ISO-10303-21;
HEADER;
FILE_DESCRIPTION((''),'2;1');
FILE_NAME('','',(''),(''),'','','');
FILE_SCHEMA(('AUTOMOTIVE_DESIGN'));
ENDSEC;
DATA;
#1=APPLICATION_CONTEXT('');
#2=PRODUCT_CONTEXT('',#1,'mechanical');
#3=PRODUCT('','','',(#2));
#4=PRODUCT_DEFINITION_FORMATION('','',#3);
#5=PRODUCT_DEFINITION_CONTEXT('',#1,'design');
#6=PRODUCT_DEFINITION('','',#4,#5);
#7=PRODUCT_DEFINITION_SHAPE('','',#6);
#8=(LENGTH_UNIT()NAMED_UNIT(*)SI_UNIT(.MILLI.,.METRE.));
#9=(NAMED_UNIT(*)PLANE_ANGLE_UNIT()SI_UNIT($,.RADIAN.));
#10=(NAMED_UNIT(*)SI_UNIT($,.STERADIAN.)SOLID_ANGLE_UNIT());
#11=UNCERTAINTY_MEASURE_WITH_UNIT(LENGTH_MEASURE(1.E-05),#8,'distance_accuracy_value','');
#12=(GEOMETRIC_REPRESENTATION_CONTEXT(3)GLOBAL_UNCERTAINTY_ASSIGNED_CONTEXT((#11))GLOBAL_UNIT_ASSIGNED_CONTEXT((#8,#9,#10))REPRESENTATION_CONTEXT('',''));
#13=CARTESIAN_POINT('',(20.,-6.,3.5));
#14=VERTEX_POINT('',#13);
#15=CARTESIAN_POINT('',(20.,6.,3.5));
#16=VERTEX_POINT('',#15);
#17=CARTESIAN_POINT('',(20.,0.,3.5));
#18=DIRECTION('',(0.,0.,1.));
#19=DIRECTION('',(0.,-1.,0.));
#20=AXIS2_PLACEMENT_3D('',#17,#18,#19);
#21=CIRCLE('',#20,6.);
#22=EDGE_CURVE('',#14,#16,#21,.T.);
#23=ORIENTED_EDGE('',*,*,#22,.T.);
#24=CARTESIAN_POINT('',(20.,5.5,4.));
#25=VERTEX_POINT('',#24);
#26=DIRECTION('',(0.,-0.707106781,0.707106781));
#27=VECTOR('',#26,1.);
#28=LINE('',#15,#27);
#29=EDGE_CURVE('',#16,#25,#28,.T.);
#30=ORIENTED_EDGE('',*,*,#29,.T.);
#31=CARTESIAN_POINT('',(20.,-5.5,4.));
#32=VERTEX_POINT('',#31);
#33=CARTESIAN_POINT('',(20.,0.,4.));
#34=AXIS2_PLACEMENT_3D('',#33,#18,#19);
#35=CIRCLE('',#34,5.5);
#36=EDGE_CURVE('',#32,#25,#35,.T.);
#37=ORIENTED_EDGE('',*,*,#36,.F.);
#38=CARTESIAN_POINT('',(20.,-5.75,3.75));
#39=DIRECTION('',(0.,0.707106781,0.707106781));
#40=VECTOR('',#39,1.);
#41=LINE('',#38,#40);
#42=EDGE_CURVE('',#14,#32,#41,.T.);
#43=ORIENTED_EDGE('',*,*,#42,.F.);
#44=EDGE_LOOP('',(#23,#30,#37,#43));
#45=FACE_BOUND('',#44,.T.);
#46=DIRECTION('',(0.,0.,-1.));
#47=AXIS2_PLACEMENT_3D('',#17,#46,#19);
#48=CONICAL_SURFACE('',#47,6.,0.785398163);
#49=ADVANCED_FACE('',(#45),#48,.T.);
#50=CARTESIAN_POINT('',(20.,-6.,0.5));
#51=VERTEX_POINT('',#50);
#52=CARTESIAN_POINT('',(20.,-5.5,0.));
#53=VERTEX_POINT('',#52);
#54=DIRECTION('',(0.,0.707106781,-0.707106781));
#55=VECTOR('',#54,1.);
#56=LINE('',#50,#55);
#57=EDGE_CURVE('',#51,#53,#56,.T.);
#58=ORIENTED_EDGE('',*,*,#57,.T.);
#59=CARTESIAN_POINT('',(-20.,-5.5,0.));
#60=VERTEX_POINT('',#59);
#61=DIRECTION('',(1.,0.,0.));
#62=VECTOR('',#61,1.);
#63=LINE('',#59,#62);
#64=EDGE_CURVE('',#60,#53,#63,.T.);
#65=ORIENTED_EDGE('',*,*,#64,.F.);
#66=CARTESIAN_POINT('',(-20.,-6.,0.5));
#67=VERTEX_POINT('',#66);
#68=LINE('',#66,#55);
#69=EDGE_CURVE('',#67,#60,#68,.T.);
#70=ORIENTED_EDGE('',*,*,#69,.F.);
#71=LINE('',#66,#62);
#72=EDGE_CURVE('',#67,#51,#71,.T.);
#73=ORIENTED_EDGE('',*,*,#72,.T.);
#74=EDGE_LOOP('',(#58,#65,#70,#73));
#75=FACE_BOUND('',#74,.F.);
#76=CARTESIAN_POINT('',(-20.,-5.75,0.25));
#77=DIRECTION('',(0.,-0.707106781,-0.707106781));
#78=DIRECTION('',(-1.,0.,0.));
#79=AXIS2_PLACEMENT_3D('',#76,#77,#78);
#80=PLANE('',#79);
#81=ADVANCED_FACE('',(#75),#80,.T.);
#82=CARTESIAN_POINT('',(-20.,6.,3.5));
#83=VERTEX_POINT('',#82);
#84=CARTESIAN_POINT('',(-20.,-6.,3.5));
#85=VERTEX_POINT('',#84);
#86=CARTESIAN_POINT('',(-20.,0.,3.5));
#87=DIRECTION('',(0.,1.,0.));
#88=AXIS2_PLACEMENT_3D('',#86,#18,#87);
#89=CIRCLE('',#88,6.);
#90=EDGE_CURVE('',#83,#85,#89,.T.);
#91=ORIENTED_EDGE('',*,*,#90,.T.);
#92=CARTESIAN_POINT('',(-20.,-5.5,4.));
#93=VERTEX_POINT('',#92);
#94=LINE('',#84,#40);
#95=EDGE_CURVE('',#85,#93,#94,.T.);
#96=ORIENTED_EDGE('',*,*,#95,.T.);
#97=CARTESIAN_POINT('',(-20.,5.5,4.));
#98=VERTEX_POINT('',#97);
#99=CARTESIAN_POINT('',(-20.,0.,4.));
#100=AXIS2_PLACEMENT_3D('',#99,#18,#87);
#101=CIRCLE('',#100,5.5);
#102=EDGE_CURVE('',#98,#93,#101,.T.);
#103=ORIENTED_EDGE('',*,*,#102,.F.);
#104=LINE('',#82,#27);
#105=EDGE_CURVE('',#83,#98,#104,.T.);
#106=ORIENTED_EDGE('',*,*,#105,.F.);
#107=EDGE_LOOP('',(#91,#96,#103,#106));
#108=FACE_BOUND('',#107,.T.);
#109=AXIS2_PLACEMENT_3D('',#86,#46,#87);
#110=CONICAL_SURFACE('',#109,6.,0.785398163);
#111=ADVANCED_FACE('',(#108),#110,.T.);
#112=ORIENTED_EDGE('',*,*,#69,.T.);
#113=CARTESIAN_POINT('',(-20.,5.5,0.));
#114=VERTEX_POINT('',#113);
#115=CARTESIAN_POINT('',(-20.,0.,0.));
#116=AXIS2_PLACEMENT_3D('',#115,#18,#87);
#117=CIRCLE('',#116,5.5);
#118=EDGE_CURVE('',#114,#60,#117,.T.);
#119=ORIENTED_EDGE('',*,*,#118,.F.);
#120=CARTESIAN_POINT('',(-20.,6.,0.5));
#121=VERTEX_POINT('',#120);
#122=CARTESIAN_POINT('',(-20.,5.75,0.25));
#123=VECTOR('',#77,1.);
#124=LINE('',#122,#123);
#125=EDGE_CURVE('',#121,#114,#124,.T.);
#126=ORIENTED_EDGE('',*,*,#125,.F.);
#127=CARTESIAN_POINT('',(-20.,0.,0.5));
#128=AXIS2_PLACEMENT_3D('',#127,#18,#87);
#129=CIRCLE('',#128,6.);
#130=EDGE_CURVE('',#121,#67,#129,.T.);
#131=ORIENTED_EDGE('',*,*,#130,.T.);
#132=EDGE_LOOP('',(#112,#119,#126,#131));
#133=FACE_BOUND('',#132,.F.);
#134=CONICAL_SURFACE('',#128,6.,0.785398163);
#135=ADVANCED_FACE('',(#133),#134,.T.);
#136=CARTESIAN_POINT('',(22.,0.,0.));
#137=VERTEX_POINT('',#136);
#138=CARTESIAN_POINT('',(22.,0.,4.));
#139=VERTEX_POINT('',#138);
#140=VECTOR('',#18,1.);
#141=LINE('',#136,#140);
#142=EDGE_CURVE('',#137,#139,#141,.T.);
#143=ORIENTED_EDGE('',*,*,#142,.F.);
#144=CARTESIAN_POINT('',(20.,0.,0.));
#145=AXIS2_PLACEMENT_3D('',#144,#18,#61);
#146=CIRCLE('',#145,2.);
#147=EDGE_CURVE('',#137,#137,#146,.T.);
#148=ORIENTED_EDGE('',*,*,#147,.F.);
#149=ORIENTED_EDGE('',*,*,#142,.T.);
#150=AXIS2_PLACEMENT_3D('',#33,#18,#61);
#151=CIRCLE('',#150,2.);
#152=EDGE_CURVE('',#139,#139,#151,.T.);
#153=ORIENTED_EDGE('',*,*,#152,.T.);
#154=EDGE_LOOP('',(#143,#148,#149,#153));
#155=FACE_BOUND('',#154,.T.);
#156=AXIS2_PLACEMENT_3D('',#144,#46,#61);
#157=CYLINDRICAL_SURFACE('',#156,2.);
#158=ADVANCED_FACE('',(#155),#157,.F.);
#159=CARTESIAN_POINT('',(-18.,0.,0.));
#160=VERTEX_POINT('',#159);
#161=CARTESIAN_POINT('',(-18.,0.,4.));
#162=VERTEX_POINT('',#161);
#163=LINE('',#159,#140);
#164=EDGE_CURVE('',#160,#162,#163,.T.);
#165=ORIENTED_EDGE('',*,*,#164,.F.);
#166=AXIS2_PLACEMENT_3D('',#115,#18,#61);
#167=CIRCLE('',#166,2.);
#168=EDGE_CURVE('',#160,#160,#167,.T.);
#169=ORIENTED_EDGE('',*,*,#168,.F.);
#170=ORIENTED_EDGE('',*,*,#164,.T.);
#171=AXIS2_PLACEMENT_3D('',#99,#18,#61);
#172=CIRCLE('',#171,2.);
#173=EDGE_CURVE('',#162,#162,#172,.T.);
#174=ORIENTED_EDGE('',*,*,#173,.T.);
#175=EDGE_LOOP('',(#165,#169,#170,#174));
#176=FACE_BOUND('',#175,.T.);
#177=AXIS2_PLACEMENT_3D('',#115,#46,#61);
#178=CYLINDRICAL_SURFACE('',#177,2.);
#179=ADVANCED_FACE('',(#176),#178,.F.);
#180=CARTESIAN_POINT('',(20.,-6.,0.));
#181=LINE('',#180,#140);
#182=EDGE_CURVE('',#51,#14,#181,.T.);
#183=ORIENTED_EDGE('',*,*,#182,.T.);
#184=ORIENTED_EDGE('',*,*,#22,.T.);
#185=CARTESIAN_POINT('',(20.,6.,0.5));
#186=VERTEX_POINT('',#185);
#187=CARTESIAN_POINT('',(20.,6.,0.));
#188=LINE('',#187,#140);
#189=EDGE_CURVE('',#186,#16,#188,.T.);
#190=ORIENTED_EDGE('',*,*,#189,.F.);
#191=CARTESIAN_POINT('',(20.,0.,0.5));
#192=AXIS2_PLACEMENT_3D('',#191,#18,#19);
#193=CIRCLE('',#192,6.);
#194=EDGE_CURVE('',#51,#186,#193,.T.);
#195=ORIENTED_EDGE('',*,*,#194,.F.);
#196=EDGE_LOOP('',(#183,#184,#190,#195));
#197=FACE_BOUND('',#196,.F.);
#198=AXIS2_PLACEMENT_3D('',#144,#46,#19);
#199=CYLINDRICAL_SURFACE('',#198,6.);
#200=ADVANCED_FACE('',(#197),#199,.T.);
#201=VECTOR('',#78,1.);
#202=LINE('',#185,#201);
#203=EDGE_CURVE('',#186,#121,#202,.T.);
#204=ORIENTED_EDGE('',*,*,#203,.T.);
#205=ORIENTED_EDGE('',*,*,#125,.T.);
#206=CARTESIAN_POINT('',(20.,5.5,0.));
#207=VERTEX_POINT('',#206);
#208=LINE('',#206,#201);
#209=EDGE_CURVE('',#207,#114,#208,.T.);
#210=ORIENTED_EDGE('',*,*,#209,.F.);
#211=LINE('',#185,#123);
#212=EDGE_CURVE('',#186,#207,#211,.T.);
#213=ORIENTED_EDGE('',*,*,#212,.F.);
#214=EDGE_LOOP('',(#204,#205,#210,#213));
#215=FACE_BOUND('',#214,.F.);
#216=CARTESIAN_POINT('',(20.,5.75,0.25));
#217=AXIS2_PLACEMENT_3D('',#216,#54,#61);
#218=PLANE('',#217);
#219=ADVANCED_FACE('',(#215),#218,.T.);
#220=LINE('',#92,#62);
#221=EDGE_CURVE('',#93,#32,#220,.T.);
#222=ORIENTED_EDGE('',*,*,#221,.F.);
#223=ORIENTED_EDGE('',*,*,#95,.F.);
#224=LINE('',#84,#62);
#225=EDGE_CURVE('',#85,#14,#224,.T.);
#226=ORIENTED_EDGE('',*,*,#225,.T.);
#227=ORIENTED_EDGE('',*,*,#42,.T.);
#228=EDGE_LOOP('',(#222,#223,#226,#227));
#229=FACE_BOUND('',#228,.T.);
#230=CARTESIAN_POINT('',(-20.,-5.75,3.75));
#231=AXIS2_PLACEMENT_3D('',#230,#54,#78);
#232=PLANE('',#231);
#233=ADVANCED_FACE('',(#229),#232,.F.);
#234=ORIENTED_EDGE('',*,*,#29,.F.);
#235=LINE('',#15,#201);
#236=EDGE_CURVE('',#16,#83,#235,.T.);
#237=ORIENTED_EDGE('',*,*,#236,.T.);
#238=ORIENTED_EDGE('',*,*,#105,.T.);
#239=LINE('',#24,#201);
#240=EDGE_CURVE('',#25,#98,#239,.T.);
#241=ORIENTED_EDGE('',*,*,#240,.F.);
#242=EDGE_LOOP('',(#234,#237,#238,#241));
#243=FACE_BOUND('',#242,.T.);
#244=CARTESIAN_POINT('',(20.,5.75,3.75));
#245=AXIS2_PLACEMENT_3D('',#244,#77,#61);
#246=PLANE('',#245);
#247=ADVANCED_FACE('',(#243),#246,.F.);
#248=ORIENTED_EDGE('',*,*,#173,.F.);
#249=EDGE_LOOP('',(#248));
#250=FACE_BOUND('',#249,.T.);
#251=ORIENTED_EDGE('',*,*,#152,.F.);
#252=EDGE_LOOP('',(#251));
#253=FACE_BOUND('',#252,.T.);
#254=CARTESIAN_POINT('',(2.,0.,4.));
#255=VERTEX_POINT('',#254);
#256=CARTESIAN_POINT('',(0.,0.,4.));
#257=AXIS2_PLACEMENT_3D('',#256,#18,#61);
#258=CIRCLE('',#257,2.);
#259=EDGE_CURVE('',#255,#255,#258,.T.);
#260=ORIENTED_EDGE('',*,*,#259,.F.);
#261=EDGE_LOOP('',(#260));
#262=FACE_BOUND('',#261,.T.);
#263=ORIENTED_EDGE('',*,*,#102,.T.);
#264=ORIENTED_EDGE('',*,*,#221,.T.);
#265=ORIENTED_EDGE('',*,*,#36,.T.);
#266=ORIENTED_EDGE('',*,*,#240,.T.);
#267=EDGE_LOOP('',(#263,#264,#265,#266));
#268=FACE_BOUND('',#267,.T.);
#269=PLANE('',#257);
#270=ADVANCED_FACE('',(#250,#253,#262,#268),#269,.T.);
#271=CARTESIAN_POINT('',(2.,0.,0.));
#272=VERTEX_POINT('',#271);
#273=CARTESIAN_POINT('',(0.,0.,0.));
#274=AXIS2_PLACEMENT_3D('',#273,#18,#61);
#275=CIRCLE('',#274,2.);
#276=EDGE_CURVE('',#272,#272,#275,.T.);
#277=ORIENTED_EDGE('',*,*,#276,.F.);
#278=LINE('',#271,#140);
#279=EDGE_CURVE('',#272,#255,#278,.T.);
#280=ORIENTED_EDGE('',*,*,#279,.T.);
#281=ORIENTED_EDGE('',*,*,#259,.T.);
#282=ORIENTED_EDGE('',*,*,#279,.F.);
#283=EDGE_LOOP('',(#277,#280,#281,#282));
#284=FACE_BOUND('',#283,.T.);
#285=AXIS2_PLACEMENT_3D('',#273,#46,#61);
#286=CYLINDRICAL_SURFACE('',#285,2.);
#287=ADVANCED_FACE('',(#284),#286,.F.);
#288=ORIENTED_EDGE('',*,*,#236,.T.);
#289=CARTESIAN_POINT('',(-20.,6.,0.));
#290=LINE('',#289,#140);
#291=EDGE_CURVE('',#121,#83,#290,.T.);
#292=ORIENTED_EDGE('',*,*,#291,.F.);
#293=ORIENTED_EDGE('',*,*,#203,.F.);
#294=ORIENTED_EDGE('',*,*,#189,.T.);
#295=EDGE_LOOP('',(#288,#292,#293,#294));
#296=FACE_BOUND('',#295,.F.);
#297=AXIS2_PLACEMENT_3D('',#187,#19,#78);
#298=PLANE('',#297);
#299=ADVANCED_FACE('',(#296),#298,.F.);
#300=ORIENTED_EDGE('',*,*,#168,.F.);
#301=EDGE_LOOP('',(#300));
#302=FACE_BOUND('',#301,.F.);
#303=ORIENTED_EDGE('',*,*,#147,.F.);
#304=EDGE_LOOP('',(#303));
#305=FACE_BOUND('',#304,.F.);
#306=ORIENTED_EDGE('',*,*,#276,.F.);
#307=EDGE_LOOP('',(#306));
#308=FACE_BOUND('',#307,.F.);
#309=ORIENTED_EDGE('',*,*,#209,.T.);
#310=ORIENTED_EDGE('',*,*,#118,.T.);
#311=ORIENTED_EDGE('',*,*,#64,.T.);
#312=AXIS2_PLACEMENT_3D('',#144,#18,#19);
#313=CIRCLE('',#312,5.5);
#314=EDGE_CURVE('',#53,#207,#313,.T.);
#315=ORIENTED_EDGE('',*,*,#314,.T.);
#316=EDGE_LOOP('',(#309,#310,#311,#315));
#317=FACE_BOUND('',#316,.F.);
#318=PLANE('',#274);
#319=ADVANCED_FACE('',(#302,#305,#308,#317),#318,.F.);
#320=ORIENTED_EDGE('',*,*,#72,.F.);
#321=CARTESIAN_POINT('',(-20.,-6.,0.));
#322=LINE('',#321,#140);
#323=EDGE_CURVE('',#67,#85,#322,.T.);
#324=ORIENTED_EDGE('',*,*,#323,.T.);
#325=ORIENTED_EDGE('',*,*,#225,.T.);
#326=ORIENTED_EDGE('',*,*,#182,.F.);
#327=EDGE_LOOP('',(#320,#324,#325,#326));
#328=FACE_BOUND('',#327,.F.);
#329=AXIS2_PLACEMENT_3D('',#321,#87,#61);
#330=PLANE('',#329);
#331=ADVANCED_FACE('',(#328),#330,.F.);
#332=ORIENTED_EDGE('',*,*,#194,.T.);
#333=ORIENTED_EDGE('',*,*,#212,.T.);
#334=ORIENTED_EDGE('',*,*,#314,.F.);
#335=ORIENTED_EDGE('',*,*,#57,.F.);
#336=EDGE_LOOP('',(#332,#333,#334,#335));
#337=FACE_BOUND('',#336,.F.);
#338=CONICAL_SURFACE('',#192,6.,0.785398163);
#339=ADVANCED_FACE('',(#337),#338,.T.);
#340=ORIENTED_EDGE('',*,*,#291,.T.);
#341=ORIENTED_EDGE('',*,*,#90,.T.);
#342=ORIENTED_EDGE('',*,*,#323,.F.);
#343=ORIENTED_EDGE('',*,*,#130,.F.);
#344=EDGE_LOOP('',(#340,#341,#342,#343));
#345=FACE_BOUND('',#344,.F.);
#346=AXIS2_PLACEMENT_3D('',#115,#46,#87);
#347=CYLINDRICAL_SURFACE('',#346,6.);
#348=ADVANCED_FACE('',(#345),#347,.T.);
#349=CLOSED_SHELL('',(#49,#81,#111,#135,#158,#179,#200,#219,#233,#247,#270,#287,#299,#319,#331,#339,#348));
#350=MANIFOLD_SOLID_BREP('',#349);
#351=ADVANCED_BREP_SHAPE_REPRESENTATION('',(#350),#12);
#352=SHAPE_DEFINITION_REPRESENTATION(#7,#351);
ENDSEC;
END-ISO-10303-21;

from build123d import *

# Parameters (mm, degrees)
F0_R     = 2
F1_DEPTH = 4
F2_SIZE  = 0.5


with BuildPart() as f1:
    # F0 (on Top) → F1 (new body)
    with BuildSketch(Plane.XY):
        with BuildLine():
            Line((20, 6), (-20, 6))
            ThreePointArc((-20, 6), (-26, 0), (-20, -6))
            Line((-20, -6), (20, -6))
            ThreePointArc((20, -6), (26, 0), (20, 6))
        make_face()
        with Locations((-20, 0)):
            Circle(F0_R, mode=Mode.SUBTRACT)
        Circle(F0_R, mode=Mode.SUBTRACT)
        with Locations((20, 0)):
            Circle(F0_R, mode=Mode.SUBTRACT)
    extrude(amount=F1_DEPTH)

    # F2
    f2_edges = [f1.edges().sort_by_distance(p)[0] for p in [
        (-26, 0, 4),
        (26, 0, 0),
    ]]
    chamfer(f2_edges, length=F2_SIZE)


solid = f1.part
